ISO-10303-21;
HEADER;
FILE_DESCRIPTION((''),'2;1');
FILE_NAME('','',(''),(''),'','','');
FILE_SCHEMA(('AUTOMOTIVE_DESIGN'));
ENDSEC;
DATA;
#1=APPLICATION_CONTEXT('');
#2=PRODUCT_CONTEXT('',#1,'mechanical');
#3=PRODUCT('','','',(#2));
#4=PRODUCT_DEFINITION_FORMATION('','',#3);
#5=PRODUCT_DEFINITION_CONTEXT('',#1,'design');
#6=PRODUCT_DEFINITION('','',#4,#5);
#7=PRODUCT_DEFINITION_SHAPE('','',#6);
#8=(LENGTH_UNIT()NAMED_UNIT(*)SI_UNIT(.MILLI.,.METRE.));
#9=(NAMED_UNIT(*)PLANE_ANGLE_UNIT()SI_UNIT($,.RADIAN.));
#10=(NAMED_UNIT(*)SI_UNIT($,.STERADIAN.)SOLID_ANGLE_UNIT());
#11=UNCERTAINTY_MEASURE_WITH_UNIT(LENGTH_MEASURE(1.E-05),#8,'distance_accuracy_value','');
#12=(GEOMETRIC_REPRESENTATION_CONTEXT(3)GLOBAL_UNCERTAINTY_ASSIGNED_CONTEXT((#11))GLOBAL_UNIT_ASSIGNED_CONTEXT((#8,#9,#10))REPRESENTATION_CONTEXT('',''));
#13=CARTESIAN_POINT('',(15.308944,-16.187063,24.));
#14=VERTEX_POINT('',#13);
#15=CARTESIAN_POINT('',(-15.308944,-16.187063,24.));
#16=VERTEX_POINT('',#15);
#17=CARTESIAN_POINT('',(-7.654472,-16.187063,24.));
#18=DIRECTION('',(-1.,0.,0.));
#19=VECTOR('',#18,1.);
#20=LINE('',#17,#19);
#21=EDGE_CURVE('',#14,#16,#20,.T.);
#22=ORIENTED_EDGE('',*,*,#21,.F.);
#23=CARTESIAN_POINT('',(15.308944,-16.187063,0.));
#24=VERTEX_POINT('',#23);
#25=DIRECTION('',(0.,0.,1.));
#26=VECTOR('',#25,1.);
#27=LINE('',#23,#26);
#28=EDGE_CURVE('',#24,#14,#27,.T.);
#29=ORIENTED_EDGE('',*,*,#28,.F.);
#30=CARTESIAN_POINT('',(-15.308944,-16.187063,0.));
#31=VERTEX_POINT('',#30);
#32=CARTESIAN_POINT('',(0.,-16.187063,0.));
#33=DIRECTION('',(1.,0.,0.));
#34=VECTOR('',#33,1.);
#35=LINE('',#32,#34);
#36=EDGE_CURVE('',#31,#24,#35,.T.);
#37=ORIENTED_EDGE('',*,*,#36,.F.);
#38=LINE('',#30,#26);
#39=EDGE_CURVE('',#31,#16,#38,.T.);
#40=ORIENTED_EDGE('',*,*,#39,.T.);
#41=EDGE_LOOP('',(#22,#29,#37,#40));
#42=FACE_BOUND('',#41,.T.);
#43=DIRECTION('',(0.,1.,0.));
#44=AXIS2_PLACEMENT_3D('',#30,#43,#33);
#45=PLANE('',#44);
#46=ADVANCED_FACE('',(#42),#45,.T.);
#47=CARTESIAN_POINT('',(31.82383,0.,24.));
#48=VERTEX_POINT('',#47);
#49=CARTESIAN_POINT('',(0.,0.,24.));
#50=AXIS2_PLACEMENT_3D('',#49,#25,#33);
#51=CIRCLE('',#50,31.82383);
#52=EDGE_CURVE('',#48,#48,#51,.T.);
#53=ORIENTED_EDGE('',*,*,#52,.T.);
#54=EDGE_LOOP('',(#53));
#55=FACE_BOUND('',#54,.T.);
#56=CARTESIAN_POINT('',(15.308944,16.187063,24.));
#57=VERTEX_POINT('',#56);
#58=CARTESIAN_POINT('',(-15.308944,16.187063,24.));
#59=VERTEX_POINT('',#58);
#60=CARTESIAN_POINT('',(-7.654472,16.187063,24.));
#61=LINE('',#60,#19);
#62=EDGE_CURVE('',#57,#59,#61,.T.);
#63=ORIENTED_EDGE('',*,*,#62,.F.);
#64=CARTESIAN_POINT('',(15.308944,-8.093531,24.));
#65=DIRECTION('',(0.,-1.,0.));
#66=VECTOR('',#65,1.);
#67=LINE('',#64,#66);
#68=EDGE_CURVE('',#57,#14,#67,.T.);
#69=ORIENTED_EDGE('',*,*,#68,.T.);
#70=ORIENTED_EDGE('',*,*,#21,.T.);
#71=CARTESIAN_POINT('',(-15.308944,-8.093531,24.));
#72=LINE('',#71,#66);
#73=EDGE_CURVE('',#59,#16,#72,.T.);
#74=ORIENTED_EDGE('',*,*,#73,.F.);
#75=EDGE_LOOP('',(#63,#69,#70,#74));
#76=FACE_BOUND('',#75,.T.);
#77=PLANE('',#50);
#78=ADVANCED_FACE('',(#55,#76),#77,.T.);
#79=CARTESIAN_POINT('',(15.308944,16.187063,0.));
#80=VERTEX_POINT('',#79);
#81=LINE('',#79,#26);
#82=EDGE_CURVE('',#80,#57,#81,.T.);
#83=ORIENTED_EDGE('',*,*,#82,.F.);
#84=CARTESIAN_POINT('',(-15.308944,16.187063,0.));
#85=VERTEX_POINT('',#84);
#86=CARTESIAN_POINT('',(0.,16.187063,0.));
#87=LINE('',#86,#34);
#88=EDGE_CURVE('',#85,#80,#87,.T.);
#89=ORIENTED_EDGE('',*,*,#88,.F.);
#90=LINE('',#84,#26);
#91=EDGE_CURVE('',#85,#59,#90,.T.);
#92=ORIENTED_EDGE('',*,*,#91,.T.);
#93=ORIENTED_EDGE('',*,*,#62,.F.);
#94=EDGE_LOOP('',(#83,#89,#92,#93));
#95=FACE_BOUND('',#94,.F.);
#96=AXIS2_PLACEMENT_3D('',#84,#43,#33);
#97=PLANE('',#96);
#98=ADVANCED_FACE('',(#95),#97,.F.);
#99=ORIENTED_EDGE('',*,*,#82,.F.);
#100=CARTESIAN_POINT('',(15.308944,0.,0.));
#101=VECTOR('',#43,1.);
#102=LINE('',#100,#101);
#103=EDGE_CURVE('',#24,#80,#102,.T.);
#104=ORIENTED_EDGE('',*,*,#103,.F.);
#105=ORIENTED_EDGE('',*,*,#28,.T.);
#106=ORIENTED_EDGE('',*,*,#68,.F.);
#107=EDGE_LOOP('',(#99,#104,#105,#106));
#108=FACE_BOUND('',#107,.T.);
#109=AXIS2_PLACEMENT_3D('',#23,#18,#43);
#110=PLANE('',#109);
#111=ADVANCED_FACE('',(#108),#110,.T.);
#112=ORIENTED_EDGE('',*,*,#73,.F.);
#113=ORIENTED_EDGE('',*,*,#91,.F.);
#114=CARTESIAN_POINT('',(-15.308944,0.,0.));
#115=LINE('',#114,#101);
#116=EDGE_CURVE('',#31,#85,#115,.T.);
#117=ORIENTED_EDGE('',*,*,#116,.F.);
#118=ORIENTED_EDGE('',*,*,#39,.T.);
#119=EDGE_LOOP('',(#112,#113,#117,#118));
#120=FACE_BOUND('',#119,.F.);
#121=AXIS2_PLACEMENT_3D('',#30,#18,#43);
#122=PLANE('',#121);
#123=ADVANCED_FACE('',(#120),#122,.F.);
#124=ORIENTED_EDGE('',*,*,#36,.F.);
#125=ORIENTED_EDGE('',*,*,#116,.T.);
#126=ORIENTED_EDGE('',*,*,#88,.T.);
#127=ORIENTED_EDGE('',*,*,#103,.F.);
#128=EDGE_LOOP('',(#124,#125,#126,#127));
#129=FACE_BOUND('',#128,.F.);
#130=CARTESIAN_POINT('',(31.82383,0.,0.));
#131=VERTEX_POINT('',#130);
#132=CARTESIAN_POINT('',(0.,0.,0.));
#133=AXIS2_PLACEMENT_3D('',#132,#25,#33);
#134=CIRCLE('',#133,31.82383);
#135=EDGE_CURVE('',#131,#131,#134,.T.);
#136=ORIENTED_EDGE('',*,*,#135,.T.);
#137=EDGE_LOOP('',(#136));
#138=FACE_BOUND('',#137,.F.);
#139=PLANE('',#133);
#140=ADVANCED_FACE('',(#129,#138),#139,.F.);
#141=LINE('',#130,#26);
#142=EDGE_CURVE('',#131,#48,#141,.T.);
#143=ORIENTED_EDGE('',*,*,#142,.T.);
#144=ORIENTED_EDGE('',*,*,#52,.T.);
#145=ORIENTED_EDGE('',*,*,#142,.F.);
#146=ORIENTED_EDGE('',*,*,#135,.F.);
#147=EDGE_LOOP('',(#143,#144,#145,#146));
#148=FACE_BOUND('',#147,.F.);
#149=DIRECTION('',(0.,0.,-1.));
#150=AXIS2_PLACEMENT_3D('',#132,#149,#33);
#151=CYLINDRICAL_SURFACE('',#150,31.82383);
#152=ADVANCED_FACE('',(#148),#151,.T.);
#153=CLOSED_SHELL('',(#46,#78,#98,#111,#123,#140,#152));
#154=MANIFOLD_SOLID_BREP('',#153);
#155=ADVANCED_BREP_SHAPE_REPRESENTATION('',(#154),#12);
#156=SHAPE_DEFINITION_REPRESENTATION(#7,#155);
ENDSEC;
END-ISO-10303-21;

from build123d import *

# Parameters (mm, degrees)
F0_W     = 30.617888
F0_H     = 32.374126
F1_DEPTH = 25
F2_R     = 31.82383
F3_DEPTH = 24


with BuildPart() as f1:
    # F0 (on Top) → F1 (new body)
    with BuildSketch(Plane.XY):
        Rectangle(F0_W, F0_H)
    extrude(amount=F1_DEPTH)


with BuildPart() as f3:
    # F2 (on Top) → F3 (new body)
    with BuildSketch(Plane.XY):
        Circle(F2_R)
    extrude(amount=F3_DEPTH)

    # F4: cut F1
    add(f1.part, mode=Mode.SUBTRACT)


solid = f3.part
